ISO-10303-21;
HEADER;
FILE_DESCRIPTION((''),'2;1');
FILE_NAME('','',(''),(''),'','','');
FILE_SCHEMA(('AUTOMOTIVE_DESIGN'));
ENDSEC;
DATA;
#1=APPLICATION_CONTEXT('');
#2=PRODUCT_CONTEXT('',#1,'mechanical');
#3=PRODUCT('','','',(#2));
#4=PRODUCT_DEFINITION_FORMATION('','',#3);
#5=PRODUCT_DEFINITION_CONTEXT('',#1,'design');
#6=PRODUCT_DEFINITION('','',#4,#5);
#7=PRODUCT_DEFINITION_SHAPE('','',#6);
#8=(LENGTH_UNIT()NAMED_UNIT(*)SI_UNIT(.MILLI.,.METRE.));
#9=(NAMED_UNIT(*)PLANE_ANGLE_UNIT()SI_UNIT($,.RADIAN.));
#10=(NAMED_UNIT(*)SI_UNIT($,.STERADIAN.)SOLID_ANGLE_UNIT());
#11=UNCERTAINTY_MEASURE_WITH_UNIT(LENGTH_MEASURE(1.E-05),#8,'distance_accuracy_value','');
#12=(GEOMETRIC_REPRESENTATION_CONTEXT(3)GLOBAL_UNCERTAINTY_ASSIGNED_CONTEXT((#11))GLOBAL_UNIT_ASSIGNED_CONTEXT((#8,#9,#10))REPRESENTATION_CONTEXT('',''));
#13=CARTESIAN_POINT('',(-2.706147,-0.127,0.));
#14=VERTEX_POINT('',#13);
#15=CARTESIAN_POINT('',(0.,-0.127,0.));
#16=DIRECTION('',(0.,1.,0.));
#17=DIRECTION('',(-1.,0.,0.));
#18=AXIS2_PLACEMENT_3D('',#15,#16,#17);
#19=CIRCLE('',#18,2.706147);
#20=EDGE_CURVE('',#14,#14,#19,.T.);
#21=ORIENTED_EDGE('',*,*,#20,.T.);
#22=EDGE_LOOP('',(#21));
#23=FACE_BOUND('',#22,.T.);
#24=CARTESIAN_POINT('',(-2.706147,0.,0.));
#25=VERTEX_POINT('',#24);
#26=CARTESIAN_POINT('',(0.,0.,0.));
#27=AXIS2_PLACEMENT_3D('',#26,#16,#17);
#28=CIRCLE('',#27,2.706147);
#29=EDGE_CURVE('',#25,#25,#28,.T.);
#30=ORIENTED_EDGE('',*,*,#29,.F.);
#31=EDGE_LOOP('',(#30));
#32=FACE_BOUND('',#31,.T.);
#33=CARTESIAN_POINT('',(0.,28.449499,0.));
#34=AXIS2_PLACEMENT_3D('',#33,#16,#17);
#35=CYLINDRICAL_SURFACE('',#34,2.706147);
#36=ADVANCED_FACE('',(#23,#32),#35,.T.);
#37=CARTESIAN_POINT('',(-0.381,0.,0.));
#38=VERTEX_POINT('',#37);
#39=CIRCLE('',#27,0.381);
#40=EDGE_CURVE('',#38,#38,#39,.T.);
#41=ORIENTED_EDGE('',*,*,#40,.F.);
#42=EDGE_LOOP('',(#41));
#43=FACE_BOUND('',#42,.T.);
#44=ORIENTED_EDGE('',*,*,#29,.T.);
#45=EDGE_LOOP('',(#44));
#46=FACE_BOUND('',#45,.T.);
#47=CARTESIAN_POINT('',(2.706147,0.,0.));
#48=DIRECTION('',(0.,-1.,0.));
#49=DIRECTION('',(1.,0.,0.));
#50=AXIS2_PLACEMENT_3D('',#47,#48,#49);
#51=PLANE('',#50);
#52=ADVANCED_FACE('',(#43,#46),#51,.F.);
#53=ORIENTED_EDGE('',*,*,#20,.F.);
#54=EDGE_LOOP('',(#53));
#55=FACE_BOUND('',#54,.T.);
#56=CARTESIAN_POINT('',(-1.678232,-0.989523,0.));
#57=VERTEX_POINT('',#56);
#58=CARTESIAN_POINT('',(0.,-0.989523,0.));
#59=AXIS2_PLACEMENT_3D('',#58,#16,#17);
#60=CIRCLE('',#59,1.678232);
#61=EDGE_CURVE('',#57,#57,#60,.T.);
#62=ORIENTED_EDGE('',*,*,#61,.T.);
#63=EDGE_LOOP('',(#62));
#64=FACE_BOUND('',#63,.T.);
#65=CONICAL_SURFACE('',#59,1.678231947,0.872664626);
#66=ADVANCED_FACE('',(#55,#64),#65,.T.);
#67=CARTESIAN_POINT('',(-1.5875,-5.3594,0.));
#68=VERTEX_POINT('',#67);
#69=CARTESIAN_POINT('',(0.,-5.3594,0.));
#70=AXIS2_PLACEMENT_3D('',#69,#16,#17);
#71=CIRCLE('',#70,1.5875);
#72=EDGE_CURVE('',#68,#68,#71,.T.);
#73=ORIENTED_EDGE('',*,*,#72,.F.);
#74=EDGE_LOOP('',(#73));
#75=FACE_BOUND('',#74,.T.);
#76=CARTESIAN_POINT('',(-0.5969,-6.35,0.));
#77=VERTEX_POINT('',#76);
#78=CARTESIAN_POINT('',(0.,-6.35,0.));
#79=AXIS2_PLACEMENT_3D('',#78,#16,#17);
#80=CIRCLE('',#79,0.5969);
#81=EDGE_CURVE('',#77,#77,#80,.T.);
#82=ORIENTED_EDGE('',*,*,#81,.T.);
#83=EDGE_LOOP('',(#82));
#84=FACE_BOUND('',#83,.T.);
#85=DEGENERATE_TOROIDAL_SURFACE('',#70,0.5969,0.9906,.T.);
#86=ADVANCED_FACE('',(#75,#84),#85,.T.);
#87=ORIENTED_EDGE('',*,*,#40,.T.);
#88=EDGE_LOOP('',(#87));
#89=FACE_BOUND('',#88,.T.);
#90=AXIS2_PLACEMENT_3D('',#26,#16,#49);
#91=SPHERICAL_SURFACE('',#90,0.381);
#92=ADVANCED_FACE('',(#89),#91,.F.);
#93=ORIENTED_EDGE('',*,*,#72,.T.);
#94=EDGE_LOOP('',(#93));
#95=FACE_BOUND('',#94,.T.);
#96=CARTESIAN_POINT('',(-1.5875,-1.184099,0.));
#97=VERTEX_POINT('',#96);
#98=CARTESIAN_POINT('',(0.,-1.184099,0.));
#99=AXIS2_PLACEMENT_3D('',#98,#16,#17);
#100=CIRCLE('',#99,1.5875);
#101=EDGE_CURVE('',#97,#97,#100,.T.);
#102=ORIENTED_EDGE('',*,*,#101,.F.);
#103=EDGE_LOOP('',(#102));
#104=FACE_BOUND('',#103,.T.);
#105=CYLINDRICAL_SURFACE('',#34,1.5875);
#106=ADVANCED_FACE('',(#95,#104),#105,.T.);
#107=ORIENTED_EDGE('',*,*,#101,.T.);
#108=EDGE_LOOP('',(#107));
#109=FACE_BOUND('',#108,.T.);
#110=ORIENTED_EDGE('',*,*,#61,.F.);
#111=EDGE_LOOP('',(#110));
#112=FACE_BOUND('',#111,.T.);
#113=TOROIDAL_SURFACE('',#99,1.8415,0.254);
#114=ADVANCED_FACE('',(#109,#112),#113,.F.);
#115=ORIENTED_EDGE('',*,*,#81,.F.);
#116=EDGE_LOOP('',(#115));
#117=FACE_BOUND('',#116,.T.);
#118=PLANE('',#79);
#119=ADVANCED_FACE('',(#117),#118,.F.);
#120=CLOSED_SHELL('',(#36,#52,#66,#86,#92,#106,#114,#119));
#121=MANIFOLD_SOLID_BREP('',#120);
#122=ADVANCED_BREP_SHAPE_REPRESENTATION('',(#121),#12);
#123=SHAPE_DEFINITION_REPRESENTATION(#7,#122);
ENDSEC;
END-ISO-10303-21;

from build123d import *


with BuildPart() as part:
    # Sketch1 → Revolve1 (revolve)
    with BuildSketch(Plane.XY):
        with BuildLine():
            Line((0, -0.381), (0, -6.35))
            Line((0, -6.35), (0.5969, -6.35))
            ThreePointArc((0.5969, -6.35), (1.297359977, -6.059859977), (1.5875, -5.3594))
            Line((1.5875, -5.3594), (1.5875, -1.184098677))
            ThreePointArc((1.5875, -1.184098677), (1.611297822, -1.076753638), (1.678231947, -0.989523388))
            Line((1.678231947, -0.989523388), (2.706147294, -0.127))
            Line((2.706147294, -0.127), (2.706147294, 0))
            Line((2.706147294, 0), (0.381, 0))
            ThreePointArc((0.381, 0), (0.269407684, -0.269407684), (0, -0.381))
        make_face()
    revolve(axis=Axis((0, 28.449499207, 0), (0, -1, 0)))


solid = part.part
